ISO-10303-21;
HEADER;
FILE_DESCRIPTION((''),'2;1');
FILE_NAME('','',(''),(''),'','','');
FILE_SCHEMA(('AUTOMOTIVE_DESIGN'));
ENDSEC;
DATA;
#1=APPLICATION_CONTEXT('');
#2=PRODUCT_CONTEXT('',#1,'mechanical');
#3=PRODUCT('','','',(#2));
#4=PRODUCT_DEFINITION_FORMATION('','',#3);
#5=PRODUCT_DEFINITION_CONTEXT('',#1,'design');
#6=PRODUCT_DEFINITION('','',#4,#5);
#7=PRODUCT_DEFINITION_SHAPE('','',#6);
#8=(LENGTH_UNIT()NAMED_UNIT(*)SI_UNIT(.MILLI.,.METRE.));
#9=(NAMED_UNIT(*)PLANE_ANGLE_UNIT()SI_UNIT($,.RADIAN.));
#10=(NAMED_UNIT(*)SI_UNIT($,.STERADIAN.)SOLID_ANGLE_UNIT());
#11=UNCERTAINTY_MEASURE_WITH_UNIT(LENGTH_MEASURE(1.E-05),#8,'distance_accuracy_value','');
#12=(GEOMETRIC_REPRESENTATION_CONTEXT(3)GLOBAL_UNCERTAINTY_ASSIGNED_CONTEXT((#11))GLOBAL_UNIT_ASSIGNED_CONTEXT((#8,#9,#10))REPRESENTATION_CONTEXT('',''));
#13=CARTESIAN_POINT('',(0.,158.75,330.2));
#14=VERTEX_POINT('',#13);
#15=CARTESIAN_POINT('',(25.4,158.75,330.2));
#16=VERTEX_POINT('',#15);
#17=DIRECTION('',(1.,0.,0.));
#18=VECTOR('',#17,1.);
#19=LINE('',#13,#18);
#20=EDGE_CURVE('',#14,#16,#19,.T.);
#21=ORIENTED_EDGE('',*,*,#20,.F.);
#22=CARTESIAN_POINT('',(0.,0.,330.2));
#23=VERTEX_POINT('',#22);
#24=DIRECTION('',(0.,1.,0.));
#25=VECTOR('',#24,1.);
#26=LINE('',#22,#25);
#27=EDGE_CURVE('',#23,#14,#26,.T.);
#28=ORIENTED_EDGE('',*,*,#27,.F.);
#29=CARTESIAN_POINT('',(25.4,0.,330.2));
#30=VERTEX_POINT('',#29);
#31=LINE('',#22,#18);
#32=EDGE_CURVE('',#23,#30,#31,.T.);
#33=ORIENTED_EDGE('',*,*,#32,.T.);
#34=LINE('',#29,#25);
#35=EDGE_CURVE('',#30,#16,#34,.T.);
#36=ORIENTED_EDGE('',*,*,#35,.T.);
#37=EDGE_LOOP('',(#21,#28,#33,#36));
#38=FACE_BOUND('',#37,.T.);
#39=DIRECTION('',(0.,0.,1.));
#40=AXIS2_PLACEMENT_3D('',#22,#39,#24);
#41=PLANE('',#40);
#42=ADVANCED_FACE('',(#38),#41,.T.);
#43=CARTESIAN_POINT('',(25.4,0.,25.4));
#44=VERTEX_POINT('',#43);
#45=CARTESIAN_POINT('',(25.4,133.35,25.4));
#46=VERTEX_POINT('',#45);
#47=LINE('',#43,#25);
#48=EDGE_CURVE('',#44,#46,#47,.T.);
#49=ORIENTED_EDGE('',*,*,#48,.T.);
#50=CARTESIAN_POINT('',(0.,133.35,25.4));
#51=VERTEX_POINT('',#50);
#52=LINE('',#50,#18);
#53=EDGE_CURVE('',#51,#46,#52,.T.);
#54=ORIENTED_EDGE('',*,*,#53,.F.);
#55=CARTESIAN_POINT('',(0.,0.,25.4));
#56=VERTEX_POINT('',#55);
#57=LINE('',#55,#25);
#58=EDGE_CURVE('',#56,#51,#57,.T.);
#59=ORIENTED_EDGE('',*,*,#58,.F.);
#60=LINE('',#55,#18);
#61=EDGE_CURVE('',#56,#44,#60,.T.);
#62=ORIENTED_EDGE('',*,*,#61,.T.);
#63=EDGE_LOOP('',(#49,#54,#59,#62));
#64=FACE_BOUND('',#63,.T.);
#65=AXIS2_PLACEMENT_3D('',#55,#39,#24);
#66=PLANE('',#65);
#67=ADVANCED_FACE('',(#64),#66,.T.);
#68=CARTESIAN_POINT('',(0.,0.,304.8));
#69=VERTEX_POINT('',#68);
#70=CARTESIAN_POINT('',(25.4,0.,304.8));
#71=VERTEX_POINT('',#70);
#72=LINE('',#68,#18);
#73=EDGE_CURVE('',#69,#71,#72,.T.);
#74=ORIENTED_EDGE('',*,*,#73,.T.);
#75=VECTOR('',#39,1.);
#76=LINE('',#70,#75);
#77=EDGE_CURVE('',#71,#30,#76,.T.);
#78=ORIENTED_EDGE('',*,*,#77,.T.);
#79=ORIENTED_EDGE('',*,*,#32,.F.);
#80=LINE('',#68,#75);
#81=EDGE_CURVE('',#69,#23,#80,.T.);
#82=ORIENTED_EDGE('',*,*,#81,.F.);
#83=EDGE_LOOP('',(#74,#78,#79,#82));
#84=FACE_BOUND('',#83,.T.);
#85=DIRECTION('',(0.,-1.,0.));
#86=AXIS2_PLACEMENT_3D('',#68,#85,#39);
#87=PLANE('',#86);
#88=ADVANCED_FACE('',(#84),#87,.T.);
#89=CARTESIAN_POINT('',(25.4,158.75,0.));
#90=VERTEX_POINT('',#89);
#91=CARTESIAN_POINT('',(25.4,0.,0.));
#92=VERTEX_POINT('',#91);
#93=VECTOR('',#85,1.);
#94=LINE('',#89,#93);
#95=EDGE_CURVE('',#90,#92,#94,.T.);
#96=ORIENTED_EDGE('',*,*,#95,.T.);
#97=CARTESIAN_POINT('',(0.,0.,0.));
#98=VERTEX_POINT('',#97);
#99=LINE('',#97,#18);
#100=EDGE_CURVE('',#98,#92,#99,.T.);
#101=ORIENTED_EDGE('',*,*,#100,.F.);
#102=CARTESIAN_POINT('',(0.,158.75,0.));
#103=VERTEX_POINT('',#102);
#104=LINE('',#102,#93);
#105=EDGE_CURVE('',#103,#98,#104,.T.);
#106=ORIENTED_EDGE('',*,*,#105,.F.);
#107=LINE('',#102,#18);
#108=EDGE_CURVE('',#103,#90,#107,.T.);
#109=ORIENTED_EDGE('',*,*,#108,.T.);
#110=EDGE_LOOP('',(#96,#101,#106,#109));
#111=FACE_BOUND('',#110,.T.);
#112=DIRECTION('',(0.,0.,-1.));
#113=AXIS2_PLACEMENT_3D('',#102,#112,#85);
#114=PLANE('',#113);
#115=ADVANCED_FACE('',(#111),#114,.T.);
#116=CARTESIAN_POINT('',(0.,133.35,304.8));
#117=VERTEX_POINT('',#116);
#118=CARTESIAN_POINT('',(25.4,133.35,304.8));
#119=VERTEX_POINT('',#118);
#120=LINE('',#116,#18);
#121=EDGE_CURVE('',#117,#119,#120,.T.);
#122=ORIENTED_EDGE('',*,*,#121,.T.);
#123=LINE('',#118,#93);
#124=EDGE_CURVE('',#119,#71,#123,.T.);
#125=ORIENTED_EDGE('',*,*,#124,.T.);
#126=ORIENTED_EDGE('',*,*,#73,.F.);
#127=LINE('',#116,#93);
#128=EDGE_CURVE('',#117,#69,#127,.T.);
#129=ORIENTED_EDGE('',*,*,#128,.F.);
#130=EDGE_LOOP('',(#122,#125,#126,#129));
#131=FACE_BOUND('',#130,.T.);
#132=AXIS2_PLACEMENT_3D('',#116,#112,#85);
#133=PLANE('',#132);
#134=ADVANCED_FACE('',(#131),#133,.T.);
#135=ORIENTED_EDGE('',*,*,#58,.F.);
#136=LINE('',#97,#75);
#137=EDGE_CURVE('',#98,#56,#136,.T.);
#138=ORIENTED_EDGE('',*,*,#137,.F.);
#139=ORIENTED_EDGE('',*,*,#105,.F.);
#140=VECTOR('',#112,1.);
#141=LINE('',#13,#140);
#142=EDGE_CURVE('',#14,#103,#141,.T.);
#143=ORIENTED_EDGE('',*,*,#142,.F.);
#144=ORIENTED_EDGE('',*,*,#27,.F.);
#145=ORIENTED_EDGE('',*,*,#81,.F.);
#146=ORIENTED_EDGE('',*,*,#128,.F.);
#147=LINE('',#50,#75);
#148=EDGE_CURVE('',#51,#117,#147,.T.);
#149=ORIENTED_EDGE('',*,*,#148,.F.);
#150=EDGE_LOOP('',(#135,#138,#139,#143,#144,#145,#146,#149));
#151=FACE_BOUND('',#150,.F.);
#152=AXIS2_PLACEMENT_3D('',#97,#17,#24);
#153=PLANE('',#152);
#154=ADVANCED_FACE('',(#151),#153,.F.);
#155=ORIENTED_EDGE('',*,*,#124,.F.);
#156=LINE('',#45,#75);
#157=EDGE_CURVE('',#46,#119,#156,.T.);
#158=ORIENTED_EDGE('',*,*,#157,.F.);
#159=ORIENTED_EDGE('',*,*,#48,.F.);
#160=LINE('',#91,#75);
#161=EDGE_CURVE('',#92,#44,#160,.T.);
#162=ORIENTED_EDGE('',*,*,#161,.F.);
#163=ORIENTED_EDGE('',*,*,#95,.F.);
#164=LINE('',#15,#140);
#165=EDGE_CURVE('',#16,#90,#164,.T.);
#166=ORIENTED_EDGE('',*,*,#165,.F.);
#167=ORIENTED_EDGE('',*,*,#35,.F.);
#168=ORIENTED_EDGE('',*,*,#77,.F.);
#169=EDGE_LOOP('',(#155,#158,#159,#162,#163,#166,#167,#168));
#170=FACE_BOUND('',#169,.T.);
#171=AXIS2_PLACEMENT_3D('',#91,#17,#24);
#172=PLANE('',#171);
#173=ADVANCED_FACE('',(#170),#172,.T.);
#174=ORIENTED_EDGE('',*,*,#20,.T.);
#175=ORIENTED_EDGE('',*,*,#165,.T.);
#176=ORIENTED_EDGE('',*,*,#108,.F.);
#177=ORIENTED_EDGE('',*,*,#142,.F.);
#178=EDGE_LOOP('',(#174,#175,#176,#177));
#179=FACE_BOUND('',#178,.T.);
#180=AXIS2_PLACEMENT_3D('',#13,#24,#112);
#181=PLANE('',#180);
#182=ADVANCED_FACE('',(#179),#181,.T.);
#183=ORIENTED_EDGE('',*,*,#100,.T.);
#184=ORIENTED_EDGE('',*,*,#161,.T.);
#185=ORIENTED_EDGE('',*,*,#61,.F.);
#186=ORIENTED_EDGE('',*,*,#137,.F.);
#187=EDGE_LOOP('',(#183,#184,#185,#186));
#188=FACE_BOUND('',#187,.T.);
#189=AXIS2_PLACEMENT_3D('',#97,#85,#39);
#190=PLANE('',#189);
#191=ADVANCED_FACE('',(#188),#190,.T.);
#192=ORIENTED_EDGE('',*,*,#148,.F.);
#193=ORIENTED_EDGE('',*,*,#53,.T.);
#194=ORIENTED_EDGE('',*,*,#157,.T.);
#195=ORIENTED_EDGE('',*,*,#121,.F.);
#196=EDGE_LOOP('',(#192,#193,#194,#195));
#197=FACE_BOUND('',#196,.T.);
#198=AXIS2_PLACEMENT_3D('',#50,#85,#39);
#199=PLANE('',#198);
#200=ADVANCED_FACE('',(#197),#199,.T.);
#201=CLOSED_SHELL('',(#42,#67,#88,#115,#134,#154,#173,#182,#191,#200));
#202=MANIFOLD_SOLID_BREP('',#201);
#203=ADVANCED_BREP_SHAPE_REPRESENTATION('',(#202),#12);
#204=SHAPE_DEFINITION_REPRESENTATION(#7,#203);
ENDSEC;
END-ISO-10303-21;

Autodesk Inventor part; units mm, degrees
ref_plane "YZ Plane" through (0, 0, 0) normal (1, 0, 0) x (0, 1, 0)
ref_plane "XZ Plane" through (0, 0, 0) normal (0, 1, 0) x (-1, 0, 0)
ref_plane "XY Plane" through (0, 0, 0) normal (0, 0, 1) x (1, 0, 0)
sketch "Sketch1" plane through (0, 0, 0) normal (1, 0, 0) x (0, 1, 0)
  line L0 (0, 0) -> (0, 25.4)
  line L1 (0, 25.4) -> (133.35, 25.4)
  line L2 (133.35, 25.4) -> (133.35, 304.8)
  line L3 (133.35, 304.8) -> (0, 304.8)
  line L4 (0, 304.8) -> (0, 330.2)
  line L5 (0, 330.2) -> (158.75, 330.2)
  line L6 (158.75, 330.2) -> (158.75, 0)
  line L7 (158.75, 0) -> (0, 0)
  dimension "d0" = 158.75
  dimension "d1" = 25.4
  dimension "d2" = 330.2
  dimension "d3" = 25.4
  dimension "d4" = 25.4
extrude "Extrusion1" add sketch "Sketch1" along normal blind 25.4
properties material "Aluminum 6061"
